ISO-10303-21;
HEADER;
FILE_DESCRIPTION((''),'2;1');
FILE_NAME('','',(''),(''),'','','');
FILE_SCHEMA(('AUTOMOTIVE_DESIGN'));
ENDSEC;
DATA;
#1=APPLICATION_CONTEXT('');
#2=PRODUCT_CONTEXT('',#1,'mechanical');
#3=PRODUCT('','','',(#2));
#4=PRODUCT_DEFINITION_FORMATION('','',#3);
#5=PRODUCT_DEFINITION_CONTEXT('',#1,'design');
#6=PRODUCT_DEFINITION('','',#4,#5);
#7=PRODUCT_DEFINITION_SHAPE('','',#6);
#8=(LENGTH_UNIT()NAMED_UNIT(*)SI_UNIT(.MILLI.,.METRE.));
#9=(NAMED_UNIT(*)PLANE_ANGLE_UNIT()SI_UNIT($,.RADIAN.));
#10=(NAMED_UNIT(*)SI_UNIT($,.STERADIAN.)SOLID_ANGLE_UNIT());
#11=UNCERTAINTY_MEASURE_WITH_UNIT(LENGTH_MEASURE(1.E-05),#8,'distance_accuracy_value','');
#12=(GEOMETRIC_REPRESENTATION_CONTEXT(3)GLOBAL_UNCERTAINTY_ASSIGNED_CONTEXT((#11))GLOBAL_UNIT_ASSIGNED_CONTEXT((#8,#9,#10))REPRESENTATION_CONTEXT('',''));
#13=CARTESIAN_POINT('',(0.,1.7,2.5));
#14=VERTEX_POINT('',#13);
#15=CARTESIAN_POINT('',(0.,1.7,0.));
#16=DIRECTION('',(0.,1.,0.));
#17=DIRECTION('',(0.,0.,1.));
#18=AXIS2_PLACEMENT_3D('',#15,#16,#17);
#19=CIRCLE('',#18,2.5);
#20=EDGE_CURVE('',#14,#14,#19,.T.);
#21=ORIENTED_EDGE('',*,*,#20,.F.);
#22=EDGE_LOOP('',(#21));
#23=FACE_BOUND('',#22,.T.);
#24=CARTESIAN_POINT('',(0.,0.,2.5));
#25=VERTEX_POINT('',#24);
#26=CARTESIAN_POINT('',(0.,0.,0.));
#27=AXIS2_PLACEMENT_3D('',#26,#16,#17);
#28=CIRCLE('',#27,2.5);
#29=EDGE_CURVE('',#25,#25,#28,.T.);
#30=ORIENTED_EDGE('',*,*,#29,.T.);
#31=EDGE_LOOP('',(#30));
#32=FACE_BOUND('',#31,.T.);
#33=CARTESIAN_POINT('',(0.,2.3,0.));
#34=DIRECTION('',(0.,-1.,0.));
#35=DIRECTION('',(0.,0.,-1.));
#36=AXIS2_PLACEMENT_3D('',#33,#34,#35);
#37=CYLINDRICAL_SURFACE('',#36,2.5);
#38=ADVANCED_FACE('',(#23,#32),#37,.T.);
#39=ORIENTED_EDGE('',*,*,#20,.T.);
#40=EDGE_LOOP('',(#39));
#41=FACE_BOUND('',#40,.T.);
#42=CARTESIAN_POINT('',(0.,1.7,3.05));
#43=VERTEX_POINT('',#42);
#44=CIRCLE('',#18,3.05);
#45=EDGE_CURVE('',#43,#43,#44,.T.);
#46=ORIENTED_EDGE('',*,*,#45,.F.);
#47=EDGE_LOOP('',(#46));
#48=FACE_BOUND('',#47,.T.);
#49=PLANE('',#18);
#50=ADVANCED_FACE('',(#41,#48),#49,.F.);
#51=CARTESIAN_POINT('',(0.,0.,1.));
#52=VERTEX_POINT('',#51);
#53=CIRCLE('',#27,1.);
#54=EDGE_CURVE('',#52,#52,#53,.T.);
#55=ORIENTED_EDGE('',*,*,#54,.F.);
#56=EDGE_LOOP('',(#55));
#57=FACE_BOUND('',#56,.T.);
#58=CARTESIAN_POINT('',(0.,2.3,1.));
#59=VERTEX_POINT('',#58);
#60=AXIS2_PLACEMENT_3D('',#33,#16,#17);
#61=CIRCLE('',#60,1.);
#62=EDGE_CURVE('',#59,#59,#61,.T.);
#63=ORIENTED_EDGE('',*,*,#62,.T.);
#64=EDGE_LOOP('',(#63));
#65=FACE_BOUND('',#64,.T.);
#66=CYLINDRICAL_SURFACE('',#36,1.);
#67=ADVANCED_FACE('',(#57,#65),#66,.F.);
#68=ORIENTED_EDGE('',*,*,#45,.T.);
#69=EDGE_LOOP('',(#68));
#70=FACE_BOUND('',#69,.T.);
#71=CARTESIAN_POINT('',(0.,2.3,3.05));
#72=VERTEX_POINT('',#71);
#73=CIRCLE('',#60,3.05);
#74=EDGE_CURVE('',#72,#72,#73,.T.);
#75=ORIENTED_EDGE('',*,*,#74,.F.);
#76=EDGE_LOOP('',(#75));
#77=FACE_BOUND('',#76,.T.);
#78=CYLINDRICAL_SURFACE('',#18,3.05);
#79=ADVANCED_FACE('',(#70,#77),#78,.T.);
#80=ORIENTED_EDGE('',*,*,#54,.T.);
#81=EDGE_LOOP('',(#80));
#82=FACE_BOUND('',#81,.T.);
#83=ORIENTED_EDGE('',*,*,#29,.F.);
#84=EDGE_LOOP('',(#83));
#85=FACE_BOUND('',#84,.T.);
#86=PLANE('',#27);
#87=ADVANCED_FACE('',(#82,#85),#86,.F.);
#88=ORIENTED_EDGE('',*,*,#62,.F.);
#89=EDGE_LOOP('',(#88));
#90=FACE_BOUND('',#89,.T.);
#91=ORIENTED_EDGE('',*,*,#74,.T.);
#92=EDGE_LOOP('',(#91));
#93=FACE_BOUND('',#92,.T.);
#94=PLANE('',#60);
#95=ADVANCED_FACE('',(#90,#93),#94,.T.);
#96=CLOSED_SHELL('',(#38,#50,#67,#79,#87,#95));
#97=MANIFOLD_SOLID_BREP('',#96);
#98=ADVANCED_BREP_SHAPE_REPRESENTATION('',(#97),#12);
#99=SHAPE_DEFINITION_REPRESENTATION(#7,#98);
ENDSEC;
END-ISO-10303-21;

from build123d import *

# Parameters (mm, degrees)
SKETCH1_R           = 2.5
SKETCH1_R_2         = 1
BOSS_EXTRUDE1_DEPTH = 2.3
SKETCH2_R           = 3.05
SKETCH2_R_2         = 1
BOSS_EXTRUDE2_DEPTH = 0.6


with BuildPart() as part:
    # Sketch1 → Boss-Extrude1 (new body)
    with BuildSketch(Plane(origin=(0, 0, 0), x_dir=(1, 0, 0), z_dir=(0, 1, 0))):
        Circle(SKETCH1_R)
        Circle(SKETCH1_R_2, mode=Mode.SUBTRACT)
    extrude(amount=BOSS_EXTRUDE1_DEPTH)

    # Sketch2 → Boss-Extrude2 (add)
    with BuildSketch(Plane(origin=(0, 2.3, 0), x_dir=(1, 0, 0), z_dir=(0, 1, 0))):
        Circle(SKETCH2_R)
        Circle(SKETCH2_R_2, mode=Mode.SUBTRACT)
    extrude(amount=-BOSS_EXTRUDE2_DEPTH)


solid = part.part
